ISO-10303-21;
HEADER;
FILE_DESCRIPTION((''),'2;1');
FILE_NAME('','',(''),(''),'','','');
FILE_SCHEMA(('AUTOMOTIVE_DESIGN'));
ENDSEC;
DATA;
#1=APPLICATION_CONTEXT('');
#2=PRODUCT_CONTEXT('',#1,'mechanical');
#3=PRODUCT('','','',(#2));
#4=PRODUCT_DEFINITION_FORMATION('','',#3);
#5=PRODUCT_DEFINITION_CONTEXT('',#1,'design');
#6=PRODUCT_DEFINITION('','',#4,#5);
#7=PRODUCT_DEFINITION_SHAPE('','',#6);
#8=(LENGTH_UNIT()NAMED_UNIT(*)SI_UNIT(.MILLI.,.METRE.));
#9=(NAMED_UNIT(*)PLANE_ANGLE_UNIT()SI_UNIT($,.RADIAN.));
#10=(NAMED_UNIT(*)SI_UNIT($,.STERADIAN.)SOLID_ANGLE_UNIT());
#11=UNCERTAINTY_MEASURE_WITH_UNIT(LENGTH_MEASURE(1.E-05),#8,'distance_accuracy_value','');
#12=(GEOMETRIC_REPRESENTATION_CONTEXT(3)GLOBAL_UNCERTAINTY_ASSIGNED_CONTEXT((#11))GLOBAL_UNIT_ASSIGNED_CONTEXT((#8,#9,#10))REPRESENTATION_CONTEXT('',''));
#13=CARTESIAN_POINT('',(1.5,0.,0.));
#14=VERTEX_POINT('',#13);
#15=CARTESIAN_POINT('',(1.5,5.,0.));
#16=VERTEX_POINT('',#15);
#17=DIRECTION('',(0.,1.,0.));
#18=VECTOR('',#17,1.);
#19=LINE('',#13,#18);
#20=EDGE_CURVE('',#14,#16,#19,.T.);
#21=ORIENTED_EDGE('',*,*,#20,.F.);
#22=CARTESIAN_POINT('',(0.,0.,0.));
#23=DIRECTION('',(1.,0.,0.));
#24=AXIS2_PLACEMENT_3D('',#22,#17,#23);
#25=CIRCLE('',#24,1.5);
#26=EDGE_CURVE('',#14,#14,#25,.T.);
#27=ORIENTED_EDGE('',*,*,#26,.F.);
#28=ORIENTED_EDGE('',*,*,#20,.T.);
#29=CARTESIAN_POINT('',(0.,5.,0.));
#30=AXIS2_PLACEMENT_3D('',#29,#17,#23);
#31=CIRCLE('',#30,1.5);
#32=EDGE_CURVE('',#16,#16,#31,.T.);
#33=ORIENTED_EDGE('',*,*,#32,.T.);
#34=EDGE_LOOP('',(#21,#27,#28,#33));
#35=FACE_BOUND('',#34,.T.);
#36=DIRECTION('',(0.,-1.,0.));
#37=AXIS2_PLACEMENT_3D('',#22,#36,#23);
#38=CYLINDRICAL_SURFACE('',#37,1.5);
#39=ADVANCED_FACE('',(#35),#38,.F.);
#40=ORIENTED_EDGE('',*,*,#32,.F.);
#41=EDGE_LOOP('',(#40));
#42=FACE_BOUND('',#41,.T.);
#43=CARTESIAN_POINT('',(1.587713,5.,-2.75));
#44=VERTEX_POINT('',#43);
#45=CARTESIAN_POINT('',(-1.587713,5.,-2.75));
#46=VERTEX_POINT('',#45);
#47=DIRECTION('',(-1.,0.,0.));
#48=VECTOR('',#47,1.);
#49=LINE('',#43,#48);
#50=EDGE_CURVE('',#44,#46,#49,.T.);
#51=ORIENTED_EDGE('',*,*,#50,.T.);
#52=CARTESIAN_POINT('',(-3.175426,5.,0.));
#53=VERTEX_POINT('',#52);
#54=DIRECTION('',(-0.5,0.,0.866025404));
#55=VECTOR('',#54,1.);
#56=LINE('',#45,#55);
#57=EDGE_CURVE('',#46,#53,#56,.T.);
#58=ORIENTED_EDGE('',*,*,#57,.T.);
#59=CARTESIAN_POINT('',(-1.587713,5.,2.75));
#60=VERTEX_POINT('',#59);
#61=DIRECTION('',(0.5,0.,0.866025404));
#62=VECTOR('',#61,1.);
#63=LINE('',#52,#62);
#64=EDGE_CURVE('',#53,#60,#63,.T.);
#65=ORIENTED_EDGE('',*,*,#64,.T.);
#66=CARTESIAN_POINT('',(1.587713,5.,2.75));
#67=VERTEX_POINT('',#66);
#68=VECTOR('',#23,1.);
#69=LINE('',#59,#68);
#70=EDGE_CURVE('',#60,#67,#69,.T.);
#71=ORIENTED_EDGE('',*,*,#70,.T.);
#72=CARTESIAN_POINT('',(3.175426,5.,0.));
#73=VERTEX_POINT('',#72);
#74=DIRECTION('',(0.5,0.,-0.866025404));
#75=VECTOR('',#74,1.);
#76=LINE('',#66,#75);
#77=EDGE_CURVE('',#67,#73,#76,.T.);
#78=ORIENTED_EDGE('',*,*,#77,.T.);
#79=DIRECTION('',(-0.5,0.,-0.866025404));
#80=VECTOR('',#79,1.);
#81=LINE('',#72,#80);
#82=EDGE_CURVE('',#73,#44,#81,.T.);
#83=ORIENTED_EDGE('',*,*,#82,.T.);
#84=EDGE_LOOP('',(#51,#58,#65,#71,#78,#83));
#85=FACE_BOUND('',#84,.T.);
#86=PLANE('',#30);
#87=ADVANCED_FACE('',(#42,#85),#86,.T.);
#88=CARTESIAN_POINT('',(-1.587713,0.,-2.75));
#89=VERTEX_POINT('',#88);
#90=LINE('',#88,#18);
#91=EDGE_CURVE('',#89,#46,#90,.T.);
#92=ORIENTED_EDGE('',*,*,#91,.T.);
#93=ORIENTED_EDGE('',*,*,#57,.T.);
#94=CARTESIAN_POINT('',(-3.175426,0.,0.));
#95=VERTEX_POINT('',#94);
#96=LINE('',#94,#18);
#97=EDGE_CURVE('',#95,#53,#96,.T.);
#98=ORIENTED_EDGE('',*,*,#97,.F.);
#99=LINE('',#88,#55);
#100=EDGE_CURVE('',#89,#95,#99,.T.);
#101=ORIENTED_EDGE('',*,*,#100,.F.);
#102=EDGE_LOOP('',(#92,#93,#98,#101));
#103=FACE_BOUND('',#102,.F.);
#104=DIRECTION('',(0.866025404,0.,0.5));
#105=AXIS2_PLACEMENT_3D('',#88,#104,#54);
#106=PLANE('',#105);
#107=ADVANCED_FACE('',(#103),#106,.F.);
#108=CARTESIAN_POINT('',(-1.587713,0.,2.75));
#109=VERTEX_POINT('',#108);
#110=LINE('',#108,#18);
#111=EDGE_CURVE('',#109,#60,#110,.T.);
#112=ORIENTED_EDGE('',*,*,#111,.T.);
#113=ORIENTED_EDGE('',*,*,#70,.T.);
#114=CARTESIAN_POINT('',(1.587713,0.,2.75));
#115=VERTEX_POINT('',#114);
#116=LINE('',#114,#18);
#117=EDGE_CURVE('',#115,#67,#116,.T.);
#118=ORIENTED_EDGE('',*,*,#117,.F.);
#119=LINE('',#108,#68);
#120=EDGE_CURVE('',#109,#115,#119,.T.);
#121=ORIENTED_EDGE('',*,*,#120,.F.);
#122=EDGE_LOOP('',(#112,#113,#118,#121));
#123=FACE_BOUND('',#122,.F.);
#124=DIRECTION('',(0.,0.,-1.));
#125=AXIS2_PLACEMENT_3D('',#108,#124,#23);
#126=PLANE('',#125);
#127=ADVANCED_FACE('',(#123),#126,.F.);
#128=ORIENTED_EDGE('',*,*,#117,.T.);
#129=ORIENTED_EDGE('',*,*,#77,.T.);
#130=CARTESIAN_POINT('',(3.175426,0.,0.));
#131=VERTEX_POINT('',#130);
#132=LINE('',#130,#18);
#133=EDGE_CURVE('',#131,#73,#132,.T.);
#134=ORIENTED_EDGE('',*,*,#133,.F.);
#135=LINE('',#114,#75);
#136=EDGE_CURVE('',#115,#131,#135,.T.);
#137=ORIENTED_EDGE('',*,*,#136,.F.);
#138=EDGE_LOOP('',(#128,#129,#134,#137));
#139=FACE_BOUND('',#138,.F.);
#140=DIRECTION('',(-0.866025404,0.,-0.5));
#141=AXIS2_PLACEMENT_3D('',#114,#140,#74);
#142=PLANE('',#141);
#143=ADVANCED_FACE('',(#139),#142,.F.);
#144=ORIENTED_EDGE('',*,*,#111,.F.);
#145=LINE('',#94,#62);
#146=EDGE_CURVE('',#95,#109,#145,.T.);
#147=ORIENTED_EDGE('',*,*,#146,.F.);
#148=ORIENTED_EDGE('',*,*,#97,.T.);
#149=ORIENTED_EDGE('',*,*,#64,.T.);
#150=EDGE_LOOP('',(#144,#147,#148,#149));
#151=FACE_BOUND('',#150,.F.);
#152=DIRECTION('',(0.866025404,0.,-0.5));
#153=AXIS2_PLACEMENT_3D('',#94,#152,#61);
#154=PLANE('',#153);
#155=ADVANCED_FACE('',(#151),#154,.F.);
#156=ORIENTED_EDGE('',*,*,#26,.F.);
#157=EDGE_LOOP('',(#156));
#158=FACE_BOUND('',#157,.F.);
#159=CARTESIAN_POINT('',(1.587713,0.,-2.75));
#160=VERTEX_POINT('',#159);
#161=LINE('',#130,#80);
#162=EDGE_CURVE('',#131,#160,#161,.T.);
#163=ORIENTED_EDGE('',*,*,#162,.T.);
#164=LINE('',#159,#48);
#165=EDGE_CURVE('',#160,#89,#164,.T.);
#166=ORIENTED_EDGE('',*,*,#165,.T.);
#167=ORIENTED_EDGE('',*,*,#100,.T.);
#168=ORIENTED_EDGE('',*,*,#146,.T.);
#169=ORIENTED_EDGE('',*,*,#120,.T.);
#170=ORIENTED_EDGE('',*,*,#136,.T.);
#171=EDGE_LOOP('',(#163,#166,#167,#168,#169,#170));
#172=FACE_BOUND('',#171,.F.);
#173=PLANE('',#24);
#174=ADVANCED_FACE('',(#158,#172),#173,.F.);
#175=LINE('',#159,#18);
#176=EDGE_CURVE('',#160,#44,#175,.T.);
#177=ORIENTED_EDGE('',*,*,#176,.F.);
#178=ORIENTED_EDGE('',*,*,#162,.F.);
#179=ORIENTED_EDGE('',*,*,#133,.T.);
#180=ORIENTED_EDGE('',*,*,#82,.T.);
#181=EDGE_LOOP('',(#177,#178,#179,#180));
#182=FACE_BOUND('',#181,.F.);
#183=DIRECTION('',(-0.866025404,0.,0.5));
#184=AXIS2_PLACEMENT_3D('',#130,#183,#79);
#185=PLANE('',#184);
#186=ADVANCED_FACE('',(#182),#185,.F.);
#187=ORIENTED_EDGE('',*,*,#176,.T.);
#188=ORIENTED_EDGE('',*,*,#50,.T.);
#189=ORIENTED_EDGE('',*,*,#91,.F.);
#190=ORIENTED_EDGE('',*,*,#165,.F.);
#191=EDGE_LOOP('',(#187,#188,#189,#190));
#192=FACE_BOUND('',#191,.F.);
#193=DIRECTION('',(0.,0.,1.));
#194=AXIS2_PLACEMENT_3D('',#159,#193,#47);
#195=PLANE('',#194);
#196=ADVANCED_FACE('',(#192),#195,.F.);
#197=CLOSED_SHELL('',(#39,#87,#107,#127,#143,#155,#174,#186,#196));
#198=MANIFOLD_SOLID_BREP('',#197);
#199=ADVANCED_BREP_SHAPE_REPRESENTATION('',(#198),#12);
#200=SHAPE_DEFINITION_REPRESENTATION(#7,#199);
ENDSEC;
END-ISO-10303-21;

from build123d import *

# Parameters (mm, degrees)
SKETCH1_R           = 1.5
BOSS_EXTRUDE1_DEPTH = 5


with BuildPart() as part:
    # Sketch1 → Boss-Extrude1 (new body)
    with BuildSketch(Plane(origin=(0, 0, 0), x_dir=(1, 0, 0), z_dir=(0, 1, 0))):
        Polygon((3.175426481, 0), (1.58771324, 2.75), (-1.58771324, 2.75), (-3.175426481, 0), (-1.58771324, -2.75), (1.58771324, -2.75), align=None)
        Circle(SKETCH1_R, mode=Mode.SUBTRACT)
    extrude(amount=BOSS_EXTRUDE1_DEPTH)


solid = part.part
